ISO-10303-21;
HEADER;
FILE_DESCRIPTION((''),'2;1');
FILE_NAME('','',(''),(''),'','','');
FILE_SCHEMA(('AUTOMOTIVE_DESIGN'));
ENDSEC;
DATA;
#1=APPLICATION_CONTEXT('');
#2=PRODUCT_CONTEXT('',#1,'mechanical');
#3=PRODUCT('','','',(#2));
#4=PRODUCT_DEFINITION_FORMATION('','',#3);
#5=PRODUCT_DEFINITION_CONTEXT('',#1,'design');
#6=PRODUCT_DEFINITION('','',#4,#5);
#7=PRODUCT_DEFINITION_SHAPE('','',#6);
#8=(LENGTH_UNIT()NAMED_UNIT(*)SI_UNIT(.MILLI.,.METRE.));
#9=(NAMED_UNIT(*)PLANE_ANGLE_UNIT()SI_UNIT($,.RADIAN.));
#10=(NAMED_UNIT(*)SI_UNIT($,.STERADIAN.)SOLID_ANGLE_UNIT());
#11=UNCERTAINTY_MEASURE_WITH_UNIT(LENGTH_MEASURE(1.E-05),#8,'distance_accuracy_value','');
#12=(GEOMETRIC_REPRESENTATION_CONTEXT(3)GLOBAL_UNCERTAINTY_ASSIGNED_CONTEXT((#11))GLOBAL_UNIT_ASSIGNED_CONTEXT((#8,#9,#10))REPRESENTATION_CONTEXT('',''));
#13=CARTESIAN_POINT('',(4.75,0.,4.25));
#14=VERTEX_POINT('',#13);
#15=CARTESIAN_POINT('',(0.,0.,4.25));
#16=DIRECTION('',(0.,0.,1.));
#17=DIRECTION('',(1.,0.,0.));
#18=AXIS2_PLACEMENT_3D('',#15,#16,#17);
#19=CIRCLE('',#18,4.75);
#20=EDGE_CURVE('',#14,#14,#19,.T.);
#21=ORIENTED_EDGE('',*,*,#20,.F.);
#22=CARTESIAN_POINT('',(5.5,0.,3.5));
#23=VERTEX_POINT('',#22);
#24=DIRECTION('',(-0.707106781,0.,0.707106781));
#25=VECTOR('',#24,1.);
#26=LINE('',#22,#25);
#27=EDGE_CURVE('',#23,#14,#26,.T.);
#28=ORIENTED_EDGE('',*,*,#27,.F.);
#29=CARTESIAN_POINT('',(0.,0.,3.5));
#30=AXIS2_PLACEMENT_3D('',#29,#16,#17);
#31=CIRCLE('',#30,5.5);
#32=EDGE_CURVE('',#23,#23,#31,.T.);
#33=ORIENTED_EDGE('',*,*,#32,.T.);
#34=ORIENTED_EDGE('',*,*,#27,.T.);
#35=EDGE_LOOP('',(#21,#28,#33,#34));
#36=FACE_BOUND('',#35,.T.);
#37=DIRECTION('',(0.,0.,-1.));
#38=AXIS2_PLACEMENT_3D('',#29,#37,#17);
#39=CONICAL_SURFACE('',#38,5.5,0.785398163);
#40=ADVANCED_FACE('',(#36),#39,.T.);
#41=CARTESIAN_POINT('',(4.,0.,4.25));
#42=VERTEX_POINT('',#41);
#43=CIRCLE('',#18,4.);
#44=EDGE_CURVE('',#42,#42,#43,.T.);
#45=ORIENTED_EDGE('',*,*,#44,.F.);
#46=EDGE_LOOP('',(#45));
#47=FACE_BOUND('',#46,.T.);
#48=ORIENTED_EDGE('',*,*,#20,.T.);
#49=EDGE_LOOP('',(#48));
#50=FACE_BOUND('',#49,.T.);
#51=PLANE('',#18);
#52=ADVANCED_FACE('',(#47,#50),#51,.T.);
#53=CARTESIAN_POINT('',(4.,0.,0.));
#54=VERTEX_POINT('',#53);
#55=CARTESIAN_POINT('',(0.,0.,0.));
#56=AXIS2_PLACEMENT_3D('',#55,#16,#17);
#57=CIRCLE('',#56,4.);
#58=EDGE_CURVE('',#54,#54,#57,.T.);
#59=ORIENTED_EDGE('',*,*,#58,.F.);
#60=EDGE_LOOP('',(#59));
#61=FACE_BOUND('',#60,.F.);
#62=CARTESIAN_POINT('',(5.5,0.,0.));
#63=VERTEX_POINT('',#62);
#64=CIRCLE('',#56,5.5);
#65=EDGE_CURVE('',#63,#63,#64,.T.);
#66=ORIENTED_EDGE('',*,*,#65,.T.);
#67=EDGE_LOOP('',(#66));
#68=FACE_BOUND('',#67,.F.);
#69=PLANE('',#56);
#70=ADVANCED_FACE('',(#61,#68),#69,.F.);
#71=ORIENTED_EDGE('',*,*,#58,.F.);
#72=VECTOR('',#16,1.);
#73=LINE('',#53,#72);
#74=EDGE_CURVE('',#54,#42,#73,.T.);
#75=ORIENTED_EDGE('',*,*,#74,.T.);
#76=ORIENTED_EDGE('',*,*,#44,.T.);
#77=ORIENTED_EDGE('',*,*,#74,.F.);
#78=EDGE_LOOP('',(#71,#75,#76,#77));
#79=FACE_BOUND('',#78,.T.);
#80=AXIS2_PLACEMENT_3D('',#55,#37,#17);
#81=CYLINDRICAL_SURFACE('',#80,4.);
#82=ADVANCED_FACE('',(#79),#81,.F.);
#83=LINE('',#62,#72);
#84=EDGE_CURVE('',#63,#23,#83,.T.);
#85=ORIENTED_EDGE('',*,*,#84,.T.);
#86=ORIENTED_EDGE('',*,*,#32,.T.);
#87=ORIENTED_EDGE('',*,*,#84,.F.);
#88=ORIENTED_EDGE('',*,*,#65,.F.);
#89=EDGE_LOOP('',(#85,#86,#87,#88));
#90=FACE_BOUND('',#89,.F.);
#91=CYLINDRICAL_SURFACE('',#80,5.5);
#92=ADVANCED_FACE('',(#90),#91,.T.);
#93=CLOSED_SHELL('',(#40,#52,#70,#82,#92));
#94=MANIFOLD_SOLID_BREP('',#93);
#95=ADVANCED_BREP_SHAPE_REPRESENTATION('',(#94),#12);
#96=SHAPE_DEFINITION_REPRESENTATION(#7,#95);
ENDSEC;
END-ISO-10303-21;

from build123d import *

# Parameters (mm, degrees)
SKETCH_R     = 5.5
SKETCH_R_2   = 4
PAD_DEPTH    = 4.25
CHAMFER_SIZE = 0.75


with BuildPart() as part:
    # Sketch → Pad (new body)
    with BuildSketch(Plane.XY):
        Circle(SKETCH_R)
        Circle(SKETCH_R_2, mode=Mode.SUBTRACT)
    extrude(amount=PAD_DEPTH)

    # Chamfer
    chamfer_edges = [part.edges().sort_by_distance(p)[0] for p in [
        (-5.5, 0, 4.25),
    ]]
    chamfer(chamfer_edges, length=CHAMFER_SIZE)


solid = part.part
